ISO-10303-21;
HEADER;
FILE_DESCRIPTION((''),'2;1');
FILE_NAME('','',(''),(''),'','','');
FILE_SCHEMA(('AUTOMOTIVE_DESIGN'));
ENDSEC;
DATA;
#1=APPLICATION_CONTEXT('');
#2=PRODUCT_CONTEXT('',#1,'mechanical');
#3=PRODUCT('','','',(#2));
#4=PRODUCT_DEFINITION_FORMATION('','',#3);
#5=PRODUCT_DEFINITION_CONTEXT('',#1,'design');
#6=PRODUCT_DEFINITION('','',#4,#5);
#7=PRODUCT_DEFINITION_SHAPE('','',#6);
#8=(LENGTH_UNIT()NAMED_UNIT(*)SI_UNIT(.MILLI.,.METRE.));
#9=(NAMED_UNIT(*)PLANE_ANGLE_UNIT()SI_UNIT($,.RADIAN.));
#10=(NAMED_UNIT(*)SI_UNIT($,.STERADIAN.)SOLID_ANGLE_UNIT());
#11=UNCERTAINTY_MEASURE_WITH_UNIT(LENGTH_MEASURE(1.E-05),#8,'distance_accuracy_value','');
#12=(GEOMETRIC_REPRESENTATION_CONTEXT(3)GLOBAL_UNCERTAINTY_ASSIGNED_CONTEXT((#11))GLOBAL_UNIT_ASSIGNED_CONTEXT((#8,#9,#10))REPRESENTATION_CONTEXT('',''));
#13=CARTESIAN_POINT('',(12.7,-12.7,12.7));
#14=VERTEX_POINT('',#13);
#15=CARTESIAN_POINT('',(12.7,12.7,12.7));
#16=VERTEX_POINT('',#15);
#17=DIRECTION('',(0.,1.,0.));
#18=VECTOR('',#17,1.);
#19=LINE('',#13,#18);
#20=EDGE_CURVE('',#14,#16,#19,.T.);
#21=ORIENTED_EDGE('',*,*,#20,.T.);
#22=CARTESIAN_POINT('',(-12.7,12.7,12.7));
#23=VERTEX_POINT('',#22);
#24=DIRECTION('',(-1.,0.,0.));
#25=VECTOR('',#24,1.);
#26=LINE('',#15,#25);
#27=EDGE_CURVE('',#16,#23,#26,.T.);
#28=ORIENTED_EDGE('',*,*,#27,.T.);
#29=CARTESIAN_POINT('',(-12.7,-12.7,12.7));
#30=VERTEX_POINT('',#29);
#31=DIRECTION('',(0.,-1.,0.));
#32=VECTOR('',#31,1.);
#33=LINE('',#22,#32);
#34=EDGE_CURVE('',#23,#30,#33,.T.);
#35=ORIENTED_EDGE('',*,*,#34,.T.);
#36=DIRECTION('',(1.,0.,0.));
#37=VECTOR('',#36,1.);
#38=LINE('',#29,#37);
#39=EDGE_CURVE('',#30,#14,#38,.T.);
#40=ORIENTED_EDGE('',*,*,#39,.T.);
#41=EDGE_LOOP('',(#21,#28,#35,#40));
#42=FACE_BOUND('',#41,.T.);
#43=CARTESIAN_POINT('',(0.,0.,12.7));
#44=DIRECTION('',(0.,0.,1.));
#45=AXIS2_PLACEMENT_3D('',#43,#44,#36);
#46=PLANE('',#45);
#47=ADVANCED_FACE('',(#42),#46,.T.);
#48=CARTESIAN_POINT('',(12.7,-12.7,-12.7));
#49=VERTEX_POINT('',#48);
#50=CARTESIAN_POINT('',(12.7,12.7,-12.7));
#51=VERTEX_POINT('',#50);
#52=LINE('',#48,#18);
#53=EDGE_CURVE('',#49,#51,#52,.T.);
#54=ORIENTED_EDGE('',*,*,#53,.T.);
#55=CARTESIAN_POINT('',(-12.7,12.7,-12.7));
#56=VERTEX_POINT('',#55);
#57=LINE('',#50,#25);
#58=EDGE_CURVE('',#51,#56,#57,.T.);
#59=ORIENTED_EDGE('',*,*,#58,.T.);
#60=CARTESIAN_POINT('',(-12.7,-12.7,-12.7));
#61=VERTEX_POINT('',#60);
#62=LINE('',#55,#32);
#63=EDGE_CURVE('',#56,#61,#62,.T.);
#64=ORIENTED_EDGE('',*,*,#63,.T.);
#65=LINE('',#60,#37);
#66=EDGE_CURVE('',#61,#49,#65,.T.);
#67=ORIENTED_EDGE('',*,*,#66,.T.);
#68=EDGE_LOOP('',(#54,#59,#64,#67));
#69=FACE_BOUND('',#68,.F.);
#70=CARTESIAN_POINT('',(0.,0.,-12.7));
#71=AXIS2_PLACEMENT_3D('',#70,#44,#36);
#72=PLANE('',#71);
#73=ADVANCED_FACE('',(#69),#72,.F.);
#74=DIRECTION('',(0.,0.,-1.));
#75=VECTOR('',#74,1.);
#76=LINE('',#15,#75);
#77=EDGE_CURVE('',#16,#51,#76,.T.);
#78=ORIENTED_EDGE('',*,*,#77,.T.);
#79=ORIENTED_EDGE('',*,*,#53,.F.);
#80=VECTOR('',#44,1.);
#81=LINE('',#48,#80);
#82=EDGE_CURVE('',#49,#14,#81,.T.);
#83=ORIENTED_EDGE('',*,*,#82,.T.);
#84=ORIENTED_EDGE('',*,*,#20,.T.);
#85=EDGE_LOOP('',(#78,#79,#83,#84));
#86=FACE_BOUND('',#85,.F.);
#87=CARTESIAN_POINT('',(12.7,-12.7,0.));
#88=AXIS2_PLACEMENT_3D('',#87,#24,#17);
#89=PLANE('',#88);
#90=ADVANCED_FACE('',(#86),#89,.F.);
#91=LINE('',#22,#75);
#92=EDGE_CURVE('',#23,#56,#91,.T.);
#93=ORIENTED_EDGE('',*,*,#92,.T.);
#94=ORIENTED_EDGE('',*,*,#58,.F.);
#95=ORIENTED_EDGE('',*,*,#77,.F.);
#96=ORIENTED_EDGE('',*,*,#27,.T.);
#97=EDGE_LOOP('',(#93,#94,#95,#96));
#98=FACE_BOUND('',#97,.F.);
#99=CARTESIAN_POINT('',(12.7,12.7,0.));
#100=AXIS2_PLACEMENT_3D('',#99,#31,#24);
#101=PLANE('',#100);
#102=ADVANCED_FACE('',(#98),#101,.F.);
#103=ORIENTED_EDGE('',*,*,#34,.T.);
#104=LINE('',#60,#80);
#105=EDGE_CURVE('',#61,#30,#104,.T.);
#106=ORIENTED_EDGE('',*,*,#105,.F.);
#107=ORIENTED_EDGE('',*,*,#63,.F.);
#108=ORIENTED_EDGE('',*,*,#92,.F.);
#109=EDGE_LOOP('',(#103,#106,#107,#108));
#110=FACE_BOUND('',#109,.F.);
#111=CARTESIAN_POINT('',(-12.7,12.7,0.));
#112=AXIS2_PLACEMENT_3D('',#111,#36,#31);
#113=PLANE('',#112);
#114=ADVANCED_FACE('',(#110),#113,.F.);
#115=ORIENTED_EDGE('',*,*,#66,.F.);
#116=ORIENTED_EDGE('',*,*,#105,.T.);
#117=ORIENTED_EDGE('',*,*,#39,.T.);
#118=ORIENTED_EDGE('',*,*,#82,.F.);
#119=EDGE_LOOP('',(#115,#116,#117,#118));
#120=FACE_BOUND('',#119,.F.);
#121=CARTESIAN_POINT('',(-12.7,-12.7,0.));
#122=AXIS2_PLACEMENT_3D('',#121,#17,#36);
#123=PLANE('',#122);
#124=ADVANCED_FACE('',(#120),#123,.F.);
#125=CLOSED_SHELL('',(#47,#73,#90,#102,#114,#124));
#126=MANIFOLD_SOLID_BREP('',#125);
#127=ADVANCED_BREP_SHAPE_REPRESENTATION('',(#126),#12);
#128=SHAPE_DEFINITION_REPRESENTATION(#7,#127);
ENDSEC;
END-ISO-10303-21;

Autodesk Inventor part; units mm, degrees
ref_plane "YZ Plane" through (0, 0, 0) normal (1, 0, 0) x (0, 1, 0)
ref_plane "XZ Plane" through (0, 0, 0) normal (0, 1, 0) x (-1, 0, 0)
ref_plane "XY Plane" through (0, 0, 0) normal (0, 0, 1) x (1, 0, 0)
sketch "Sketch1" plane through (0, 0, 0) normal (0, 0, 1) x (1, 0, 0)
  line L0 (-12.7, -12.7) -> (12.7, -12.7)
  line L1 (12.7, -12.7) -> (12.7, 12.7)
  line L2 (12.7, 12.7) -> (-12.7, 12.7)
  line L3 (-12.7, 12.7) -> (-12.7, -12.7)
  line L4 (-12.7, -12.7) -> (12.7, 12.7) construction
  line L5 (12.7, -12.7) -> (-12.7, 12.7) construction
  point P0 (0, 0)
  dimension "d0" = 25.4
  dimension "d1" = 25.4
extrude "Extrusion1" add sketch "Sketch1" along normal mid plane 25.4
properties part number "centerOfGravityBox"
